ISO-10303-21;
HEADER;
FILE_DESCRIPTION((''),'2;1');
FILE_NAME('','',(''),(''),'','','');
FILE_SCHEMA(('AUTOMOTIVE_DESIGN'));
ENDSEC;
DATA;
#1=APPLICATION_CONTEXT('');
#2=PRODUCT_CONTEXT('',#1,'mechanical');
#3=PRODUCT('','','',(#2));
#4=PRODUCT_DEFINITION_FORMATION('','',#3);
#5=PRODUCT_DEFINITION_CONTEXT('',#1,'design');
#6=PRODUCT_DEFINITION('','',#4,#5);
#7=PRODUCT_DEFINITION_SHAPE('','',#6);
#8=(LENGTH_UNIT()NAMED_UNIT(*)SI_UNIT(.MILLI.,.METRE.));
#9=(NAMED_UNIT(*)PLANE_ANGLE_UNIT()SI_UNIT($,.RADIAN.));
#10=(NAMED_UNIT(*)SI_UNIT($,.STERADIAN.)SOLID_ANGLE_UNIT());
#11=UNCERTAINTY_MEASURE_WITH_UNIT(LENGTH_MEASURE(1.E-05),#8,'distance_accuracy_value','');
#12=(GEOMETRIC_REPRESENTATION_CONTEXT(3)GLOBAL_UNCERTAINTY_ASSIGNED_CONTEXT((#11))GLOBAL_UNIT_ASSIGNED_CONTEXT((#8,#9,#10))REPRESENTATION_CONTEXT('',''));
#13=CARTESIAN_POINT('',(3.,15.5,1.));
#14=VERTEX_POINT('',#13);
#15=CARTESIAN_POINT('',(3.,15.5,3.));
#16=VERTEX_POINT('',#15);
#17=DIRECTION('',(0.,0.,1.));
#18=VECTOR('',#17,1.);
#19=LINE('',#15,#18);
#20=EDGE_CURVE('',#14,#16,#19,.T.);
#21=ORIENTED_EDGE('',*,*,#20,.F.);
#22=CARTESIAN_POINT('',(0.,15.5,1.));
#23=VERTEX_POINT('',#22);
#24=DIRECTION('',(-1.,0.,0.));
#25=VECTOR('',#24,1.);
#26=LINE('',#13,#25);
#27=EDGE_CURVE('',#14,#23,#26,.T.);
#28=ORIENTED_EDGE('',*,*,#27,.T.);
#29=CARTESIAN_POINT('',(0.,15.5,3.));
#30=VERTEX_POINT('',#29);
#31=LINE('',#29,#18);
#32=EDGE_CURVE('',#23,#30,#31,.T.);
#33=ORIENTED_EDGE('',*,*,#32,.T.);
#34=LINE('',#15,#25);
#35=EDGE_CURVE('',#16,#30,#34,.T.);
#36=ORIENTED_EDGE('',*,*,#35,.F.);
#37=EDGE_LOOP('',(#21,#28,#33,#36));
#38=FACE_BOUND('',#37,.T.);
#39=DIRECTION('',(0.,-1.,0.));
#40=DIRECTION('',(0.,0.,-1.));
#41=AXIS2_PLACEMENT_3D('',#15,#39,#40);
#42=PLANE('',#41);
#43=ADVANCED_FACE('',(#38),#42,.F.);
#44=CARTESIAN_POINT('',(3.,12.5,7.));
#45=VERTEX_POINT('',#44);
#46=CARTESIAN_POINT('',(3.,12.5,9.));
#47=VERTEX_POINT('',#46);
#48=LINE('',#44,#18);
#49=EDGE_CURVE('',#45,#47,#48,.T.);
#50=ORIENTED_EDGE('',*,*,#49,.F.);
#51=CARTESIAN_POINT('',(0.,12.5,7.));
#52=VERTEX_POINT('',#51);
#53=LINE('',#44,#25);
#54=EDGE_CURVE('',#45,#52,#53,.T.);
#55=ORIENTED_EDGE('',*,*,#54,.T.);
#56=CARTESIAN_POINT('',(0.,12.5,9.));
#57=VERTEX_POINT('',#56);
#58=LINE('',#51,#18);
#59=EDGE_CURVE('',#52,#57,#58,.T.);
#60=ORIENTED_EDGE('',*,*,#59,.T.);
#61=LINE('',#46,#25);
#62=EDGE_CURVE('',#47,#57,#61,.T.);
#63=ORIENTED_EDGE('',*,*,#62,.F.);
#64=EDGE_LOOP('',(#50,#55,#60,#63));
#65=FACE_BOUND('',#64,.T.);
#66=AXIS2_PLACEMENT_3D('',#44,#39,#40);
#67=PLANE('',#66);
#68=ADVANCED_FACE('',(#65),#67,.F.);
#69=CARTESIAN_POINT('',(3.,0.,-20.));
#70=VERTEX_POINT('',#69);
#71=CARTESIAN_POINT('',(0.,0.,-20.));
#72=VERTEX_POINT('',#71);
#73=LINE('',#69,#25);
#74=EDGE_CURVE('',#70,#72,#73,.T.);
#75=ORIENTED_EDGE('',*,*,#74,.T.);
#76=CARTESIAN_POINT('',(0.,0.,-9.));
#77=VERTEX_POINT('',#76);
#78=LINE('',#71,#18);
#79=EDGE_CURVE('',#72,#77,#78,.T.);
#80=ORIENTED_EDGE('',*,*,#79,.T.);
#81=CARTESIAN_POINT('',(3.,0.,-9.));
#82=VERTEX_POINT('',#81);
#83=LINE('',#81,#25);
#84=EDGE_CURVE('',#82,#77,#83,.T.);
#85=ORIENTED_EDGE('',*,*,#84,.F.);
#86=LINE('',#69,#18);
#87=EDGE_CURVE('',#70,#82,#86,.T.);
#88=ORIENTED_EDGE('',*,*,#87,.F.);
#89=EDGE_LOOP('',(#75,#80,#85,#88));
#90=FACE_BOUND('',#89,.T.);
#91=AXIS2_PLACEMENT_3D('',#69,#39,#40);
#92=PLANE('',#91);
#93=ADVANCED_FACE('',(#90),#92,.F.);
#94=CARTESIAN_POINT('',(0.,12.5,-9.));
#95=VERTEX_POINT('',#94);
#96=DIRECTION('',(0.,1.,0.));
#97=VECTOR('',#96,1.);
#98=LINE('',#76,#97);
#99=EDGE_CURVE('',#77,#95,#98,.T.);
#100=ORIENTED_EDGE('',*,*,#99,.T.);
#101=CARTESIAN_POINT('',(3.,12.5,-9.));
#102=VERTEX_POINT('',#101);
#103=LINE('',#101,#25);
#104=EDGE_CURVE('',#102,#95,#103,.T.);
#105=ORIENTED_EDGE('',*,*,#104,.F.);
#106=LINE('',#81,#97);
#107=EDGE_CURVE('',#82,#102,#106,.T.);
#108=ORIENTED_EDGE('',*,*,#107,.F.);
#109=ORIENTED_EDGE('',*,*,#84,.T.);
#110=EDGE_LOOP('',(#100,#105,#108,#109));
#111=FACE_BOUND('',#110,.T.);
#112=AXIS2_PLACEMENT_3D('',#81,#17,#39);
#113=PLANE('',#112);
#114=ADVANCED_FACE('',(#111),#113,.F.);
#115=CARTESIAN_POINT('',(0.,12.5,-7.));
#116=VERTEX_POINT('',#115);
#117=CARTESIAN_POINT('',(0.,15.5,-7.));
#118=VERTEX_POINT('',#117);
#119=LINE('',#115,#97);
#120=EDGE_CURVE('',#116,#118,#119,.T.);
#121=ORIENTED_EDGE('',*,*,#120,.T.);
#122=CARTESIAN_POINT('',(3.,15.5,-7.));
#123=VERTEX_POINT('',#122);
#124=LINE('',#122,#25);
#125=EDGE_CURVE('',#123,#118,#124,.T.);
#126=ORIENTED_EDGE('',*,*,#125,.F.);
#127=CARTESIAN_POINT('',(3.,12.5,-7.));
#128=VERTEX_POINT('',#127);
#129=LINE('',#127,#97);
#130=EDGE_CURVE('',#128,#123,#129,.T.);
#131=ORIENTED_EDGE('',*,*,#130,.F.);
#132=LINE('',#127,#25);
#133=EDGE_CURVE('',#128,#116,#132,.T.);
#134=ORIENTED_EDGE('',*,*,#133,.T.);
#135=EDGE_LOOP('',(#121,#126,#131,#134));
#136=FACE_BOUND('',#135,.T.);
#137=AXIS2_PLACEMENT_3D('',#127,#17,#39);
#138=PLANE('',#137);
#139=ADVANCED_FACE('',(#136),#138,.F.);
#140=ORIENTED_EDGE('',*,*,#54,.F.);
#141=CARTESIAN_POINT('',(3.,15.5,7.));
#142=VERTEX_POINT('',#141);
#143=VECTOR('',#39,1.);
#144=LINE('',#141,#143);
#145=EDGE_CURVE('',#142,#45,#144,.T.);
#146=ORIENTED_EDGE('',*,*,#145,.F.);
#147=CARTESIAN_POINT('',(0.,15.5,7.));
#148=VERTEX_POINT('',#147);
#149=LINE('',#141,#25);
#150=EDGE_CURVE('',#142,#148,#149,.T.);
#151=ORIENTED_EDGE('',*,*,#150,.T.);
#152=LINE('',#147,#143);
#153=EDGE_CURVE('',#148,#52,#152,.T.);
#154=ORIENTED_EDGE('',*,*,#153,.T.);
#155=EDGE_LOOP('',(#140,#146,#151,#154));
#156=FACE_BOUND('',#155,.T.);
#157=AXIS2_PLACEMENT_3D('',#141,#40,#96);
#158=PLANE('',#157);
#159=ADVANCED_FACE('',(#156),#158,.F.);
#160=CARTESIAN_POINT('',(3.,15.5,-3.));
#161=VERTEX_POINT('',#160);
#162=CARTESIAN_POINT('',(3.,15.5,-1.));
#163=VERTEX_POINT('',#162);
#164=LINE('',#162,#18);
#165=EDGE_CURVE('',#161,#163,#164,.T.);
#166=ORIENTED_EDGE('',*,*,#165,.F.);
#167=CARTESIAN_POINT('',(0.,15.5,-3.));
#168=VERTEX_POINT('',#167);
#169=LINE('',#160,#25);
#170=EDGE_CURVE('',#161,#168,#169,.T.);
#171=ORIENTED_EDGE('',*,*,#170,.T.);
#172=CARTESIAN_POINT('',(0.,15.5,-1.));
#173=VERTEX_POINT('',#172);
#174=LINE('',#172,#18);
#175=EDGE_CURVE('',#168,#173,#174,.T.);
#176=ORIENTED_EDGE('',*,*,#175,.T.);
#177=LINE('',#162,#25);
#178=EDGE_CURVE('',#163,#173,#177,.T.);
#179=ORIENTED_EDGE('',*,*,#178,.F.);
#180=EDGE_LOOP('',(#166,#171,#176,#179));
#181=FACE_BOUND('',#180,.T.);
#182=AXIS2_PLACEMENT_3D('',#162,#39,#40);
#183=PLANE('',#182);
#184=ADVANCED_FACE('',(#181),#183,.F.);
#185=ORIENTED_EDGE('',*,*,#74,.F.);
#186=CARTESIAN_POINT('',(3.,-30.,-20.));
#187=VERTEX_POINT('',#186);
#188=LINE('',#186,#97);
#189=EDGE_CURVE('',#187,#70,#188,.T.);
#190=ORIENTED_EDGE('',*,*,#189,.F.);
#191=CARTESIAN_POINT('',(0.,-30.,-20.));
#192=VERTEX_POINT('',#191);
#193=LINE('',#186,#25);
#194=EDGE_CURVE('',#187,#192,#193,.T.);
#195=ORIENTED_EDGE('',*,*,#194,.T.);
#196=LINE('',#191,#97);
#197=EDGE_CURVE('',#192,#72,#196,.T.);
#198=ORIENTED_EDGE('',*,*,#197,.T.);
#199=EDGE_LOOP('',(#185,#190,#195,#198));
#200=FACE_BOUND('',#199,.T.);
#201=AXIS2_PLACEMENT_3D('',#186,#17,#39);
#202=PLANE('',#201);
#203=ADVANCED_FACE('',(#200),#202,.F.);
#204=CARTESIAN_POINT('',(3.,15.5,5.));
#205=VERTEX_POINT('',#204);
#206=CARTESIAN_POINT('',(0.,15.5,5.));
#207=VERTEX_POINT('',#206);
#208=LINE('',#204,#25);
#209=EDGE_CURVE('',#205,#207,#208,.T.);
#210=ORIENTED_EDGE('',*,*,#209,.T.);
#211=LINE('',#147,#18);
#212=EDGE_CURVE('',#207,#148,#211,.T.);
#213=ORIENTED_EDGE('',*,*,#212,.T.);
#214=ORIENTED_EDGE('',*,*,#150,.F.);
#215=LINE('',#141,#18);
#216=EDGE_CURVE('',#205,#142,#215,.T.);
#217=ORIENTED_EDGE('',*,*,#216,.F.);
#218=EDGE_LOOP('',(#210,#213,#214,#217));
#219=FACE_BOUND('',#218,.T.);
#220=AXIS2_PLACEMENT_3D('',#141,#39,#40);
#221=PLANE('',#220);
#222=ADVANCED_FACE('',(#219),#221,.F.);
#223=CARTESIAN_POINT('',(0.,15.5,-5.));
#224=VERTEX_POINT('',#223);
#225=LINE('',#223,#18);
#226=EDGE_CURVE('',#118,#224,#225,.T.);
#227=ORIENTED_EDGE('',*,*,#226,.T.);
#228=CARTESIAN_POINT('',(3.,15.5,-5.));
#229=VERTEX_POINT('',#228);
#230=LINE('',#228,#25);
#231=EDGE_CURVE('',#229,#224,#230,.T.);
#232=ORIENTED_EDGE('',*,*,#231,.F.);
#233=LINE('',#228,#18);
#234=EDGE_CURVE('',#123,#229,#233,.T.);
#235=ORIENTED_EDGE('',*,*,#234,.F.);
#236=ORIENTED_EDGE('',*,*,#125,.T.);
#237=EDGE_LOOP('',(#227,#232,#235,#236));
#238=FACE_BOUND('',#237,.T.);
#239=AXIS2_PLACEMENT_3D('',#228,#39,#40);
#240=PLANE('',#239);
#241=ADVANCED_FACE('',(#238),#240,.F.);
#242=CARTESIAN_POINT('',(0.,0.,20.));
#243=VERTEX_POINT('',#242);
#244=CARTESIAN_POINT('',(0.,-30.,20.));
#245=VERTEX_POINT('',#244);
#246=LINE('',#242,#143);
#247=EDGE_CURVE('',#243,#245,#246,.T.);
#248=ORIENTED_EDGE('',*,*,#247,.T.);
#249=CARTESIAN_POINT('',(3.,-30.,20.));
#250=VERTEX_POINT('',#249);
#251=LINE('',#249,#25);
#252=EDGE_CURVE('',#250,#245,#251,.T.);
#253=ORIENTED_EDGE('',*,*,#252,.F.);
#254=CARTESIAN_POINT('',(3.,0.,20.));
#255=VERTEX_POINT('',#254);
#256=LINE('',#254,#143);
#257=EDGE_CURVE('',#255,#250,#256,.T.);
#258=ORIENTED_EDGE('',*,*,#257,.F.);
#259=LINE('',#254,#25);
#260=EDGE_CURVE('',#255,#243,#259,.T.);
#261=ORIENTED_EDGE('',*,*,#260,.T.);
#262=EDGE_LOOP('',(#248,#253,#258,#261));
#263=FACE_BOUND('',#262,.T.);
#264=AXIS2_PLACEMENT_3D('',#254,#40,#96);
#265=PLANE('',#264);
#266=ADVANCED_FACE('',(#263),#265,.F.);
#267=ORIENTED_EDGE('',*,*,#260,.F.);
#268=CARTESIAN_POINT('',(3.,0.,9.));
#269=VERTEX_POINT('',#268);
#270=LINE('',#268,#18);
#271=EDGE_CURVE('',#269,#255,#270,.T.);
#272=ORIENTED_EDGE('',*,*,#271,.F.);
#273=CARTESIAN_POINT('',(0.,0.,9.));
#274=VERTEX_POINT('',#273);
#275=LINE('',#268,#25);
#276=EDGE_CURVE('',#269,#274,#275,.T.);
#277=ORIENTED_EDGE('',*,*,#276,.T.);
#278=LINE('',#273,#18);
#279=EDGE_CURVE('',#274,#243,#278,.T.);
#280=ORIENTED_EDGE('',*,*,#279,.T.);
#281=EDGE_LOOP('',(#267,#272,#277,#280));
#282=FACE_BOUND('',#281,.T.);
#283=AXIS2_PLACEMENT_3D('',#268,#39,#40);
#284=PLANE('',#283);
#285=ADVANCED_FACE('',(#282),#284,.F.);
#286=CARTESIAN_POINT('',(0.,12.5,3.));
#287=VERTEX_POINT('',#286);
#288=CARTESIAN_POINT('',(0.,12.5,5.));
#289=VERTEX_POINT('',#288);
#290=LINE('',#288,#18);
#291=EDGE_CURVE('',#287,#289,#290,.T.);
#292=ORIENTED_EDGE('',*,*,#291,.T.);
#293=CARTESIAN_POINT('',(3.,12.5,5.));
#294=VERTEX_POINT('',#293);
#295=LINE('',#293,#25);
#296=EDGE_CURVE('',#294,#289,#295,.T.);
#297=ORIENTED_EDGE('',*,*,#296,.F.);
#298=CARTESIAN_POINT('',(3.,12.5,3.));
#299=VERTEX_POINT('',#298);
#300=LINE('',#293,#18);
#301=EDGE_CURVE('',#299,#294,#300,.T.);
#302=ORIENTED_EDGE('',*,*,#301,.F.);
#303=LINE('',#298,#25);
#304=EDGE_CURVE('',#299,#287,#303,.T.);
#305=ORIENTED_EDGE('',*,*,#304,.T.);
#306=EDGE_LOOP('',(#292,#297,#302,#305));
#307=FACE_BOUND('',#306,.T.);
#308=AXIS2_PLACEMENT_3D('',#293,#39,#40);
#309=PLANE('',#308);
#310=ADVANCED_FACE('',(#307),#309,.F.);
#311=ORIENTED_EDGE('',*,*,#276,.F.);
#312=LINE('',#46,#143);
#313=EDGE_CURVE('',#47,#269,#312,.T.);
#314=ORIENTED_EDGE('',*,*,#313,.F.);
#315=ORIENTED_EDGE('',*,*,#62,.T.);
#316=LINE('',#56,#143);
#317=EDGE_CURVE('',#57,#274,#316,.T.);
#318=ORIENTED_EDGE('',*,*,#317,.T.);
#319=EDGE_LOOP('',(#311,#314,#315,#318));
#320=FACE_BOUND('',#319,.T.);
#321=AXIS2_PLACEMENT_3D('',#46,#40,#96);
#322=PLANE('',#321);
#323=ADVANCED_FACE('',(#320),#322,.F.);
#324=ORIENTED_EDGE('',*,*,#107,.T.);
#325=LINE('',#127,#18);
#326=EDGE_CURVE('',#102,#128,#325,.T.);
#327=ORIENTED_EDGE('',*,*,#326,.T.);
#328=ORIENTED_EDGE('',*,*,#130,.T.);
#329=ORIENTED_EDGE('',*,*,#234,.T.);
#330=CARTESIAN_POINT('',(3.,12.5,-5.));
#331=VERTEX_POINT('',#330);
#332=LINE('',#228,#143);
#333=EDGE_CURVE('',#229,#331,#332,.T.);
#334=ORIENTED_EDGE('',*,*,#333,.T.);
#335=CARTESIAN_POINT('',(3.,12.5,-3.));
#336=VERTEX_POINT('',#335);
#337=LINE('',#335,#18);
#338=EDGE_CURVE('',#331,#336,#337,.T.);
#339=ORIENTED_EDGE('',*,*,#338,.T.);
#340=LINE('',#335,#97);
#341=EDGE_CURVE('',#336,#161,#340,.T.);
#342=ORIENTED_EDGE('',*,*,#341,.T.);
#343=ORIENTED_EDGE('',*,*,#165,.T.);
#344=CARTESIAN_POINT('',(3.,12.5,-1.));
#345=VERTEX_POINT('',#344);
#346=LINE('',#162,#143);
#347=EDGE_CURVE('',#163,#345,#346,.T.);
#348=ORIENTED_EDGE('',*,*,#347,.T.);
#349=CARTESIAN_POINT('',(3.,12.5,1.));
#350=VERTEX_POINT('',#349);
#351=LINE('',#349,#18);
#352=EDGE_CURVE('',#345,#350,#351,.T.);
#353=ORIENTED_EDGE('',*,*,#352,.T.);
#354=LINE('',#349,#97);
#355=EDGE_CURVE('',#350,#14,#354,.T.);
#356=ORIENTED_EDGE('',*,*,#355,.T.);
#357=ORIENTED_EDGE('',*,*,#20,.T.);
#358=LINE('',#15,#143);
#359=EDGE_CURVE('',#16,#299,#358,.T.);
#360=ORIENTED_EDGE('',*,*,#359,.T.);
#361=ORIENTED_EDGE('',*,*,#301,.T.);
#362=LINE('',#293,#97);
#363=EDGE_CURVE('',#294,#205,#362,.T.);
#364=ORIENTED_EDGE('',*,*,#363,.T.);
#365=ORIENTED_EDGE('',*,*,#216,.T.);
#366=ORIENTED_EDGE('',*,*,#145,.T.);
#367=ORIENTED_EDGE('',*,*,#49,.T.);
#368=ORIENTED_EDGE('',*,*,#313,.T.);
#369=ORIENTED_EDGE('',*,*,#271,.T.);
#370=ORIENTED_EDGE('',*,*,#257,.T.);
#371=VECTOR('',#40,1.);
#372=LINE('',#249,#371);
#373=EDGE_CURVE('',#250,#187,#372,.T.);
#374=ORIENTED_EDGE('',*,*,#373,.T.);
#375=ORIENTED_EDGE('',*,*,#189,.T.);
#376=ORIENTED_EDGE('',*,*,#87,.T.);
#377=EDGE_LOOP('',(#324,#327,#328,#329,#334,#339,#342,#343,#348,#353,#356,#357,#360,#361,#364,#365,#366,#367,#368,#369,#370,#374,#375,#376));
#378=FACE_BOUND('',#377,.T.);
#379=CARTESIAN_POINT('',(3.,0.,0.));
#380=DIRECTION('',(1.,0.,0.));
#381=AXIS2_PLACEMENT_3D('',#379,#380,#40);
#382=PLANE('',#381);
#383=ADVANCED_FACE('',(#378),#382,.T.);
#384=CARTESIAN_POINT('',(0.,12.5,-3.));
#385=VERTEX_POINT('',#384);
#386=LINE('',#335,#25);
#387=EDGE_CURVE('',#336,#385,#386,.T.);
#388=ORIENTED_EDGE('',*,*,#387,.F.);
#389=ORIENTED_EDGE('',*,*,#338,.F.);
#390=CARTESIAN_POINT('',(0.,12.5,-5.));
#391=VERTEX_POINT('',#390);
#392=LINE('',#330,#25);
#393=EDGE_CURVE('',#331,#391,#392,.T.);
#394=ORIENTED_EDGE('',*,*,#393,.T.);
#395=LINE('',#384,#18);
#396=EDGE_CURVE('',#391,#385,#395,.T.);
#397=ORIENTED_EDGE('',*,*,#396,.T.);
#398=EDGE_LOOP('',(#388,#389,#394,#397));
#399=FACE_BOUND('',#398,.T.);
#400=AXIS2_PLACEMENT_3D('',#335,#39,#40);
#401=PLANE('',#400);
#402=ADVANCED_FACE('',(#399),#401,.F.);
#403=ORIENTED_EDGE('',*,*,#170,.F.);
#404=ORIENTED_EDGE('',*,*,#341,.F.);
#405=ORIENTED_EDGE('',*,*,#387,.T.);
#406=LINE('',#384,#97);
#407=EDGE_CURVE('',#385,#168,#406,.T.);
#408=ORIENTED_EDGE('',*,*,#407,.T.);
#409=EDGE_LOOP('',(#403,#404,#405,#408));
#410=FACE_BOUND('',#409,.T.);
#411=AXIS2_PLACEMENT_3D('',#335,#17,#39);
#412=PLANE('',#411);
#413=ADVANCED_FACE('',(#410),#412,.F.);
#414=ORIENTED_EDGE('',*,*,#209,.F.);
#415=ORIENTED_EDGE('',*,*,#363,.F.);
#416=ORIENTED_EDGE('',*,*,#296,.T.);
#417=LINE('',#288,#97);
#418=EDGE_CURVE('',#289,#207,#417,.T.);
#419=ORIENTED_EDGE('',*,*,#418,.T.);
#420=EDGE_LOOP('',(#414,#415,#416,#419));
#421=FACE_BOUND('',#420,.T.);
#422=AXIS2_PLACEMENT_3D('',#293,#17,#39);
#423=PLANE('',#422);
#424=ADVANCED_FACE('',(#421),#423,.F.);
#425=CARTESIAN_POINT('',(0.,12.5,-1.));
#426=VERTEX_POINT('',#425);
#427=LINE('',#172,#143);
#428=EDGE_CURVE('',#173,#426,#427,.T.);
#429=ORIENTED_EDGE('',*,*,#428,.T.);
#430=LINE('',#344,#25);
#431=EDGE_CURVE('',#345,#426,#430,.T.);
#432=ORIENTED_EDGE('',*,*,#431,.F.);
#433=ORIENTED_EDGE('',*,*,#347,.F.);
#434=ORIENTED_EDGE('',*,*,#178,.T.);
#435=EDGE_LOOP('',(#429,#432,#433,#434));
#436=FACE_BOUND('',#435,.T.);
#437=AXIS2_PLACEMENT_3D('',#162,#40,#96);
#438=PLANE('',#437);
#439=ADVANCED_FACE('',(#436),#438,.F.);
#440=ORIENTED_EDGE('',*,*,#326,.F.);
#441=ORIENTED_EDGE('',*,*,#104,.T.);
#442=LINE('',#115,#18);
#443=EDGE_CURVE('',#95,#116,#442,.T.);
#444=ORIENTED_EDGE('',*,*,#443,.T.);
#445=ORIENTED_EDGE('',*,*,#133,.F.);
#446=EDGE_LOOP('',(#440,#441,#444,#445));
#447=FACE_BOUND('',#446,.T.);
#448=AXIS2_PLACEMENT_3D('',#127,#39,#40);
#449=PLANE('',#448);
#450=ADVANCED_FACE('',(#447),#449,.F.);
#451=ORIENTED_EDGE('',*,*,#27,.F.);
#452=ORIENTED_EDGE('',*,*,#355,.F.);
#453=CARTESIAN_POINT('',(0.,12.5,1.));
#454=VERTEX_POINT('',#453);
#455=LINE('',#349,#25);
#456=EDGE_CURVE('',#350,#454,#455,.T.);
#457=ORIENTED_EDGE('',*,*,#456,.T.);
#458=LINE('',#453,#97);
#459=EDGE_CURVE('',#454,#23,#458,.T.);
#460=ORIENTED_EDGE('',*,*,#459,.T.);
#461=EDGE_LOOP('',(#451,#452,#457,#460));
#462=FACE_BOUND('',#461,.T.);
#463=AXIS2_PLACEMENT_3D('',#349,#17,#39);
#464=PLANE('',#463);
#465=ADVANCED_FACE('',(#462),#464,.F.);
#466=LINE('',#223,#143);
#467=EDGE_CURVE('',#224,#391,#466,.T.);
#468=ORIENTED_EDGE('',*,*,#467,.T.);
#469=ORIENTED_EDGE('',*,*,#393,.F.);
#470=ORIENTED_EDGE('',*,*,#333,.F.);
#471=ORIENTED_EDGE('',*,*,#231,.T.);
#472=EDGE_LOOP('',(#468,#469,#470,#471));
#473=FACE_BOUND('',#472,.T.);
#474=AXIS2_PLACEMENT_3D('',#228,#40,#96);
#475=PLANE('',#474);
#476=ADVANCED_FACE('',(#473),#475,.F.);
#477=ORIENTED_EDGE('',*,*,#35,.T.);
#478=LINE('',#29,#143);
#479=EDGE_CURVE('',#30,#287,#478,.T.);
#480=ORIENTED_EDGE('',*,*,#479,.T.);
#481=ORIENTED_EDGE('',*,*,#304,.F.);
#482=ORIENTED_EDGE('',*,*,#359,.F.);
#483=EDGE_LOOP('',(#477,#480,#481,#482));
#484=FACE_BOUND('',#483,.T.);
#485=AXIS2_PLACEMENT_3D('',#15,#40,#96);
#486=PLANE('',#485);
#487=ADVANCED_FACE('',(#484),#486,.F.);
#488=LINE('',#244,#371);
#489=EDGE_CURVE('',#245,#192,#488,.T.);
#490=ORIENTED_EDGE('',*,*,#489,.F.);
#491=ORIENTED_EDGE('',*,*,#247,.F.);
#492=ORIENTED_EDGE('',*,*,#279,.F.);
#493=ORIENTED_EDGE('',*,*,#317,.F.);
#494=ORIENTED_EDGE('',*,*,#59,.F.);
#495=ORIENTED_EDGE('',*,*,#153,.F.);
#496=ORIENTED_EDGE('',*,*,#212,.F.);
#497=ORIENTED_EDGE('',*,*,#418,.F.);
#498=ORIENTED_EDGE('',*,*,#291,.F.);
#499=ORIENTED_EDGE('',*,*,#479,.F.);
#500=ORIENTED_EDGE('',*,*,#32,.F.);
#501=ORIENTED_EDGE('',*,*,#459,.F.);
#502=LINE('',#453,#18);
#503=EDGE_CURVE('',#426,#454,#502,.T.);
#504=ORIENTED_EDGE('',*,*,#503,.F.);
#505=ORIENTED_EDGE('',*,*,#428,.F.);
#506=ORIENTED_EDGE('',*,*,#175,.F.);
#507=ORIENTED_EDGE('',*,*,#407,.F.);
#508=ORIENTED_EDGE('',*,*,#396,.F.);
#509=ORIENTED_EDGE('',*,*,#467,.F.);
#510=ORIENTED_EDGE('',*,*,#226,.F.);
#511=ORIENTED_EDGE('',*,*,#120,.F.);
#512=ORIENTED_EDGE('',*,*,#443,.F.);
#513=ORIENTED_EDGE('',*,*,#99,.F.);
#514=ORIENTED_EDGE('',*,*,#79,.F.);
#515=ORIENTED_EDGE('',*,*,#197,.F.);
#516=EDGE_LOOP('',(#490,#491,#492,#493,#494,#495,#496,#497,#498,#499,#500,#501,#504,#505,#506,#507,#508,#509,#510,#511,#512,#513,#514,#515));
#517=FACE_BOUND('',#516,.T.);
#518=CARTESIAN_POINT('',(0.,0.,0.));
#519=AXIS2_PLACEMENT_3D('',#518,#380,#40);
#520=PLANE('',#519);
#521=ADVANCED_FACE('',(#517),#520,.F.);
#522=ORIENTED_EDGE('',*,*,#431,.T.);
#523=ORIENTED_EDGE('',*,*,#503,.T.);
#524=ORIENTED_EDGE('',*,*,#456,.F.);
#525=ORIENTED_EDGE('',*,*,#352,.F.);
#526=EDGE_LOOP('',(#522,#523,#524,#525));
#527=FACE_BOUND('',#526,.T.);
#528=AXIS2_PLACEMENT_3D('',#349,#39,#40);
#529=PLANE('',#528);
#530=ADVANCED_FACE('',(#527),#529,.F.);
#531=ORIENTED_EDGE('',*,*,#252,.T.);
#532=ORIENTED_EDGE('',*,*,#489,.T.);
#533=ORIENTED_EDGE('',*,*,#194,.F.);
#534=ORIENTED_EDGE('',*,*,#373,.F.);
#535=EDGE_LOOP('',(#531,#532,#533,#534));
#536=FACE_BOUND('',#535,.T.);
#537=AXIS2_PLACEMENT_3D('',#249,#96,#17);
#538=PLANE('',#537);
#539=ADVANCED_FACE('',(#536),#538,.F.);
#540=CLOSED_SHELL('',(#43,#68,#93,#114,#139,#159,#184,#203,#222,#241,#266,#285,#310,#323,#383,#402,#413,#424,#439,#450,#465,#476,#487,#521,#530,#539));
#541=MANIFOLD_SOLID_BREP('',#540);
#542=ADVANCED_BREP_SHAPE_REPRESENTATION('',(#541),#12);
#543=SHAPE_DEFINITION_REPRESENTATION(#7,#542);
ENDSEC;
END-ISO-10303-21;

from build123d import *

# Parameters (mm, degrees)
BOSS_EXTRUDE1_DEPTH = 3


with BuildPart() as part:
    # Sketch1 → Boss-Extrude1 (new body)
    with BuildSketch(Plane(origin=(0, 0, 0), x_dir=(0, 0, -1), z_dir=(1, 0, 0))):
        Polygon((-9, 12.5), (-9, 0), (-20, 0), (-20, -30), (20, -30), (20, 0), (9, 0), (9, 12.5), (7, 12.5), (7, 15.5), (5, 15.5), (5, 12.5), (3, 12.5), (3, 15.5), (1, 15.5), (1, 12.5), (-1, 12.5), (-1, 15.5), (-3, 15.5), (-3, 12.5), (-5, 12.5), (-5, 15.5), (-7, 15.5), (-7, 12.5), align=None)
    extrude(amount=BOSS_EXTRUDE1_DEPTH)


solid = part.part
